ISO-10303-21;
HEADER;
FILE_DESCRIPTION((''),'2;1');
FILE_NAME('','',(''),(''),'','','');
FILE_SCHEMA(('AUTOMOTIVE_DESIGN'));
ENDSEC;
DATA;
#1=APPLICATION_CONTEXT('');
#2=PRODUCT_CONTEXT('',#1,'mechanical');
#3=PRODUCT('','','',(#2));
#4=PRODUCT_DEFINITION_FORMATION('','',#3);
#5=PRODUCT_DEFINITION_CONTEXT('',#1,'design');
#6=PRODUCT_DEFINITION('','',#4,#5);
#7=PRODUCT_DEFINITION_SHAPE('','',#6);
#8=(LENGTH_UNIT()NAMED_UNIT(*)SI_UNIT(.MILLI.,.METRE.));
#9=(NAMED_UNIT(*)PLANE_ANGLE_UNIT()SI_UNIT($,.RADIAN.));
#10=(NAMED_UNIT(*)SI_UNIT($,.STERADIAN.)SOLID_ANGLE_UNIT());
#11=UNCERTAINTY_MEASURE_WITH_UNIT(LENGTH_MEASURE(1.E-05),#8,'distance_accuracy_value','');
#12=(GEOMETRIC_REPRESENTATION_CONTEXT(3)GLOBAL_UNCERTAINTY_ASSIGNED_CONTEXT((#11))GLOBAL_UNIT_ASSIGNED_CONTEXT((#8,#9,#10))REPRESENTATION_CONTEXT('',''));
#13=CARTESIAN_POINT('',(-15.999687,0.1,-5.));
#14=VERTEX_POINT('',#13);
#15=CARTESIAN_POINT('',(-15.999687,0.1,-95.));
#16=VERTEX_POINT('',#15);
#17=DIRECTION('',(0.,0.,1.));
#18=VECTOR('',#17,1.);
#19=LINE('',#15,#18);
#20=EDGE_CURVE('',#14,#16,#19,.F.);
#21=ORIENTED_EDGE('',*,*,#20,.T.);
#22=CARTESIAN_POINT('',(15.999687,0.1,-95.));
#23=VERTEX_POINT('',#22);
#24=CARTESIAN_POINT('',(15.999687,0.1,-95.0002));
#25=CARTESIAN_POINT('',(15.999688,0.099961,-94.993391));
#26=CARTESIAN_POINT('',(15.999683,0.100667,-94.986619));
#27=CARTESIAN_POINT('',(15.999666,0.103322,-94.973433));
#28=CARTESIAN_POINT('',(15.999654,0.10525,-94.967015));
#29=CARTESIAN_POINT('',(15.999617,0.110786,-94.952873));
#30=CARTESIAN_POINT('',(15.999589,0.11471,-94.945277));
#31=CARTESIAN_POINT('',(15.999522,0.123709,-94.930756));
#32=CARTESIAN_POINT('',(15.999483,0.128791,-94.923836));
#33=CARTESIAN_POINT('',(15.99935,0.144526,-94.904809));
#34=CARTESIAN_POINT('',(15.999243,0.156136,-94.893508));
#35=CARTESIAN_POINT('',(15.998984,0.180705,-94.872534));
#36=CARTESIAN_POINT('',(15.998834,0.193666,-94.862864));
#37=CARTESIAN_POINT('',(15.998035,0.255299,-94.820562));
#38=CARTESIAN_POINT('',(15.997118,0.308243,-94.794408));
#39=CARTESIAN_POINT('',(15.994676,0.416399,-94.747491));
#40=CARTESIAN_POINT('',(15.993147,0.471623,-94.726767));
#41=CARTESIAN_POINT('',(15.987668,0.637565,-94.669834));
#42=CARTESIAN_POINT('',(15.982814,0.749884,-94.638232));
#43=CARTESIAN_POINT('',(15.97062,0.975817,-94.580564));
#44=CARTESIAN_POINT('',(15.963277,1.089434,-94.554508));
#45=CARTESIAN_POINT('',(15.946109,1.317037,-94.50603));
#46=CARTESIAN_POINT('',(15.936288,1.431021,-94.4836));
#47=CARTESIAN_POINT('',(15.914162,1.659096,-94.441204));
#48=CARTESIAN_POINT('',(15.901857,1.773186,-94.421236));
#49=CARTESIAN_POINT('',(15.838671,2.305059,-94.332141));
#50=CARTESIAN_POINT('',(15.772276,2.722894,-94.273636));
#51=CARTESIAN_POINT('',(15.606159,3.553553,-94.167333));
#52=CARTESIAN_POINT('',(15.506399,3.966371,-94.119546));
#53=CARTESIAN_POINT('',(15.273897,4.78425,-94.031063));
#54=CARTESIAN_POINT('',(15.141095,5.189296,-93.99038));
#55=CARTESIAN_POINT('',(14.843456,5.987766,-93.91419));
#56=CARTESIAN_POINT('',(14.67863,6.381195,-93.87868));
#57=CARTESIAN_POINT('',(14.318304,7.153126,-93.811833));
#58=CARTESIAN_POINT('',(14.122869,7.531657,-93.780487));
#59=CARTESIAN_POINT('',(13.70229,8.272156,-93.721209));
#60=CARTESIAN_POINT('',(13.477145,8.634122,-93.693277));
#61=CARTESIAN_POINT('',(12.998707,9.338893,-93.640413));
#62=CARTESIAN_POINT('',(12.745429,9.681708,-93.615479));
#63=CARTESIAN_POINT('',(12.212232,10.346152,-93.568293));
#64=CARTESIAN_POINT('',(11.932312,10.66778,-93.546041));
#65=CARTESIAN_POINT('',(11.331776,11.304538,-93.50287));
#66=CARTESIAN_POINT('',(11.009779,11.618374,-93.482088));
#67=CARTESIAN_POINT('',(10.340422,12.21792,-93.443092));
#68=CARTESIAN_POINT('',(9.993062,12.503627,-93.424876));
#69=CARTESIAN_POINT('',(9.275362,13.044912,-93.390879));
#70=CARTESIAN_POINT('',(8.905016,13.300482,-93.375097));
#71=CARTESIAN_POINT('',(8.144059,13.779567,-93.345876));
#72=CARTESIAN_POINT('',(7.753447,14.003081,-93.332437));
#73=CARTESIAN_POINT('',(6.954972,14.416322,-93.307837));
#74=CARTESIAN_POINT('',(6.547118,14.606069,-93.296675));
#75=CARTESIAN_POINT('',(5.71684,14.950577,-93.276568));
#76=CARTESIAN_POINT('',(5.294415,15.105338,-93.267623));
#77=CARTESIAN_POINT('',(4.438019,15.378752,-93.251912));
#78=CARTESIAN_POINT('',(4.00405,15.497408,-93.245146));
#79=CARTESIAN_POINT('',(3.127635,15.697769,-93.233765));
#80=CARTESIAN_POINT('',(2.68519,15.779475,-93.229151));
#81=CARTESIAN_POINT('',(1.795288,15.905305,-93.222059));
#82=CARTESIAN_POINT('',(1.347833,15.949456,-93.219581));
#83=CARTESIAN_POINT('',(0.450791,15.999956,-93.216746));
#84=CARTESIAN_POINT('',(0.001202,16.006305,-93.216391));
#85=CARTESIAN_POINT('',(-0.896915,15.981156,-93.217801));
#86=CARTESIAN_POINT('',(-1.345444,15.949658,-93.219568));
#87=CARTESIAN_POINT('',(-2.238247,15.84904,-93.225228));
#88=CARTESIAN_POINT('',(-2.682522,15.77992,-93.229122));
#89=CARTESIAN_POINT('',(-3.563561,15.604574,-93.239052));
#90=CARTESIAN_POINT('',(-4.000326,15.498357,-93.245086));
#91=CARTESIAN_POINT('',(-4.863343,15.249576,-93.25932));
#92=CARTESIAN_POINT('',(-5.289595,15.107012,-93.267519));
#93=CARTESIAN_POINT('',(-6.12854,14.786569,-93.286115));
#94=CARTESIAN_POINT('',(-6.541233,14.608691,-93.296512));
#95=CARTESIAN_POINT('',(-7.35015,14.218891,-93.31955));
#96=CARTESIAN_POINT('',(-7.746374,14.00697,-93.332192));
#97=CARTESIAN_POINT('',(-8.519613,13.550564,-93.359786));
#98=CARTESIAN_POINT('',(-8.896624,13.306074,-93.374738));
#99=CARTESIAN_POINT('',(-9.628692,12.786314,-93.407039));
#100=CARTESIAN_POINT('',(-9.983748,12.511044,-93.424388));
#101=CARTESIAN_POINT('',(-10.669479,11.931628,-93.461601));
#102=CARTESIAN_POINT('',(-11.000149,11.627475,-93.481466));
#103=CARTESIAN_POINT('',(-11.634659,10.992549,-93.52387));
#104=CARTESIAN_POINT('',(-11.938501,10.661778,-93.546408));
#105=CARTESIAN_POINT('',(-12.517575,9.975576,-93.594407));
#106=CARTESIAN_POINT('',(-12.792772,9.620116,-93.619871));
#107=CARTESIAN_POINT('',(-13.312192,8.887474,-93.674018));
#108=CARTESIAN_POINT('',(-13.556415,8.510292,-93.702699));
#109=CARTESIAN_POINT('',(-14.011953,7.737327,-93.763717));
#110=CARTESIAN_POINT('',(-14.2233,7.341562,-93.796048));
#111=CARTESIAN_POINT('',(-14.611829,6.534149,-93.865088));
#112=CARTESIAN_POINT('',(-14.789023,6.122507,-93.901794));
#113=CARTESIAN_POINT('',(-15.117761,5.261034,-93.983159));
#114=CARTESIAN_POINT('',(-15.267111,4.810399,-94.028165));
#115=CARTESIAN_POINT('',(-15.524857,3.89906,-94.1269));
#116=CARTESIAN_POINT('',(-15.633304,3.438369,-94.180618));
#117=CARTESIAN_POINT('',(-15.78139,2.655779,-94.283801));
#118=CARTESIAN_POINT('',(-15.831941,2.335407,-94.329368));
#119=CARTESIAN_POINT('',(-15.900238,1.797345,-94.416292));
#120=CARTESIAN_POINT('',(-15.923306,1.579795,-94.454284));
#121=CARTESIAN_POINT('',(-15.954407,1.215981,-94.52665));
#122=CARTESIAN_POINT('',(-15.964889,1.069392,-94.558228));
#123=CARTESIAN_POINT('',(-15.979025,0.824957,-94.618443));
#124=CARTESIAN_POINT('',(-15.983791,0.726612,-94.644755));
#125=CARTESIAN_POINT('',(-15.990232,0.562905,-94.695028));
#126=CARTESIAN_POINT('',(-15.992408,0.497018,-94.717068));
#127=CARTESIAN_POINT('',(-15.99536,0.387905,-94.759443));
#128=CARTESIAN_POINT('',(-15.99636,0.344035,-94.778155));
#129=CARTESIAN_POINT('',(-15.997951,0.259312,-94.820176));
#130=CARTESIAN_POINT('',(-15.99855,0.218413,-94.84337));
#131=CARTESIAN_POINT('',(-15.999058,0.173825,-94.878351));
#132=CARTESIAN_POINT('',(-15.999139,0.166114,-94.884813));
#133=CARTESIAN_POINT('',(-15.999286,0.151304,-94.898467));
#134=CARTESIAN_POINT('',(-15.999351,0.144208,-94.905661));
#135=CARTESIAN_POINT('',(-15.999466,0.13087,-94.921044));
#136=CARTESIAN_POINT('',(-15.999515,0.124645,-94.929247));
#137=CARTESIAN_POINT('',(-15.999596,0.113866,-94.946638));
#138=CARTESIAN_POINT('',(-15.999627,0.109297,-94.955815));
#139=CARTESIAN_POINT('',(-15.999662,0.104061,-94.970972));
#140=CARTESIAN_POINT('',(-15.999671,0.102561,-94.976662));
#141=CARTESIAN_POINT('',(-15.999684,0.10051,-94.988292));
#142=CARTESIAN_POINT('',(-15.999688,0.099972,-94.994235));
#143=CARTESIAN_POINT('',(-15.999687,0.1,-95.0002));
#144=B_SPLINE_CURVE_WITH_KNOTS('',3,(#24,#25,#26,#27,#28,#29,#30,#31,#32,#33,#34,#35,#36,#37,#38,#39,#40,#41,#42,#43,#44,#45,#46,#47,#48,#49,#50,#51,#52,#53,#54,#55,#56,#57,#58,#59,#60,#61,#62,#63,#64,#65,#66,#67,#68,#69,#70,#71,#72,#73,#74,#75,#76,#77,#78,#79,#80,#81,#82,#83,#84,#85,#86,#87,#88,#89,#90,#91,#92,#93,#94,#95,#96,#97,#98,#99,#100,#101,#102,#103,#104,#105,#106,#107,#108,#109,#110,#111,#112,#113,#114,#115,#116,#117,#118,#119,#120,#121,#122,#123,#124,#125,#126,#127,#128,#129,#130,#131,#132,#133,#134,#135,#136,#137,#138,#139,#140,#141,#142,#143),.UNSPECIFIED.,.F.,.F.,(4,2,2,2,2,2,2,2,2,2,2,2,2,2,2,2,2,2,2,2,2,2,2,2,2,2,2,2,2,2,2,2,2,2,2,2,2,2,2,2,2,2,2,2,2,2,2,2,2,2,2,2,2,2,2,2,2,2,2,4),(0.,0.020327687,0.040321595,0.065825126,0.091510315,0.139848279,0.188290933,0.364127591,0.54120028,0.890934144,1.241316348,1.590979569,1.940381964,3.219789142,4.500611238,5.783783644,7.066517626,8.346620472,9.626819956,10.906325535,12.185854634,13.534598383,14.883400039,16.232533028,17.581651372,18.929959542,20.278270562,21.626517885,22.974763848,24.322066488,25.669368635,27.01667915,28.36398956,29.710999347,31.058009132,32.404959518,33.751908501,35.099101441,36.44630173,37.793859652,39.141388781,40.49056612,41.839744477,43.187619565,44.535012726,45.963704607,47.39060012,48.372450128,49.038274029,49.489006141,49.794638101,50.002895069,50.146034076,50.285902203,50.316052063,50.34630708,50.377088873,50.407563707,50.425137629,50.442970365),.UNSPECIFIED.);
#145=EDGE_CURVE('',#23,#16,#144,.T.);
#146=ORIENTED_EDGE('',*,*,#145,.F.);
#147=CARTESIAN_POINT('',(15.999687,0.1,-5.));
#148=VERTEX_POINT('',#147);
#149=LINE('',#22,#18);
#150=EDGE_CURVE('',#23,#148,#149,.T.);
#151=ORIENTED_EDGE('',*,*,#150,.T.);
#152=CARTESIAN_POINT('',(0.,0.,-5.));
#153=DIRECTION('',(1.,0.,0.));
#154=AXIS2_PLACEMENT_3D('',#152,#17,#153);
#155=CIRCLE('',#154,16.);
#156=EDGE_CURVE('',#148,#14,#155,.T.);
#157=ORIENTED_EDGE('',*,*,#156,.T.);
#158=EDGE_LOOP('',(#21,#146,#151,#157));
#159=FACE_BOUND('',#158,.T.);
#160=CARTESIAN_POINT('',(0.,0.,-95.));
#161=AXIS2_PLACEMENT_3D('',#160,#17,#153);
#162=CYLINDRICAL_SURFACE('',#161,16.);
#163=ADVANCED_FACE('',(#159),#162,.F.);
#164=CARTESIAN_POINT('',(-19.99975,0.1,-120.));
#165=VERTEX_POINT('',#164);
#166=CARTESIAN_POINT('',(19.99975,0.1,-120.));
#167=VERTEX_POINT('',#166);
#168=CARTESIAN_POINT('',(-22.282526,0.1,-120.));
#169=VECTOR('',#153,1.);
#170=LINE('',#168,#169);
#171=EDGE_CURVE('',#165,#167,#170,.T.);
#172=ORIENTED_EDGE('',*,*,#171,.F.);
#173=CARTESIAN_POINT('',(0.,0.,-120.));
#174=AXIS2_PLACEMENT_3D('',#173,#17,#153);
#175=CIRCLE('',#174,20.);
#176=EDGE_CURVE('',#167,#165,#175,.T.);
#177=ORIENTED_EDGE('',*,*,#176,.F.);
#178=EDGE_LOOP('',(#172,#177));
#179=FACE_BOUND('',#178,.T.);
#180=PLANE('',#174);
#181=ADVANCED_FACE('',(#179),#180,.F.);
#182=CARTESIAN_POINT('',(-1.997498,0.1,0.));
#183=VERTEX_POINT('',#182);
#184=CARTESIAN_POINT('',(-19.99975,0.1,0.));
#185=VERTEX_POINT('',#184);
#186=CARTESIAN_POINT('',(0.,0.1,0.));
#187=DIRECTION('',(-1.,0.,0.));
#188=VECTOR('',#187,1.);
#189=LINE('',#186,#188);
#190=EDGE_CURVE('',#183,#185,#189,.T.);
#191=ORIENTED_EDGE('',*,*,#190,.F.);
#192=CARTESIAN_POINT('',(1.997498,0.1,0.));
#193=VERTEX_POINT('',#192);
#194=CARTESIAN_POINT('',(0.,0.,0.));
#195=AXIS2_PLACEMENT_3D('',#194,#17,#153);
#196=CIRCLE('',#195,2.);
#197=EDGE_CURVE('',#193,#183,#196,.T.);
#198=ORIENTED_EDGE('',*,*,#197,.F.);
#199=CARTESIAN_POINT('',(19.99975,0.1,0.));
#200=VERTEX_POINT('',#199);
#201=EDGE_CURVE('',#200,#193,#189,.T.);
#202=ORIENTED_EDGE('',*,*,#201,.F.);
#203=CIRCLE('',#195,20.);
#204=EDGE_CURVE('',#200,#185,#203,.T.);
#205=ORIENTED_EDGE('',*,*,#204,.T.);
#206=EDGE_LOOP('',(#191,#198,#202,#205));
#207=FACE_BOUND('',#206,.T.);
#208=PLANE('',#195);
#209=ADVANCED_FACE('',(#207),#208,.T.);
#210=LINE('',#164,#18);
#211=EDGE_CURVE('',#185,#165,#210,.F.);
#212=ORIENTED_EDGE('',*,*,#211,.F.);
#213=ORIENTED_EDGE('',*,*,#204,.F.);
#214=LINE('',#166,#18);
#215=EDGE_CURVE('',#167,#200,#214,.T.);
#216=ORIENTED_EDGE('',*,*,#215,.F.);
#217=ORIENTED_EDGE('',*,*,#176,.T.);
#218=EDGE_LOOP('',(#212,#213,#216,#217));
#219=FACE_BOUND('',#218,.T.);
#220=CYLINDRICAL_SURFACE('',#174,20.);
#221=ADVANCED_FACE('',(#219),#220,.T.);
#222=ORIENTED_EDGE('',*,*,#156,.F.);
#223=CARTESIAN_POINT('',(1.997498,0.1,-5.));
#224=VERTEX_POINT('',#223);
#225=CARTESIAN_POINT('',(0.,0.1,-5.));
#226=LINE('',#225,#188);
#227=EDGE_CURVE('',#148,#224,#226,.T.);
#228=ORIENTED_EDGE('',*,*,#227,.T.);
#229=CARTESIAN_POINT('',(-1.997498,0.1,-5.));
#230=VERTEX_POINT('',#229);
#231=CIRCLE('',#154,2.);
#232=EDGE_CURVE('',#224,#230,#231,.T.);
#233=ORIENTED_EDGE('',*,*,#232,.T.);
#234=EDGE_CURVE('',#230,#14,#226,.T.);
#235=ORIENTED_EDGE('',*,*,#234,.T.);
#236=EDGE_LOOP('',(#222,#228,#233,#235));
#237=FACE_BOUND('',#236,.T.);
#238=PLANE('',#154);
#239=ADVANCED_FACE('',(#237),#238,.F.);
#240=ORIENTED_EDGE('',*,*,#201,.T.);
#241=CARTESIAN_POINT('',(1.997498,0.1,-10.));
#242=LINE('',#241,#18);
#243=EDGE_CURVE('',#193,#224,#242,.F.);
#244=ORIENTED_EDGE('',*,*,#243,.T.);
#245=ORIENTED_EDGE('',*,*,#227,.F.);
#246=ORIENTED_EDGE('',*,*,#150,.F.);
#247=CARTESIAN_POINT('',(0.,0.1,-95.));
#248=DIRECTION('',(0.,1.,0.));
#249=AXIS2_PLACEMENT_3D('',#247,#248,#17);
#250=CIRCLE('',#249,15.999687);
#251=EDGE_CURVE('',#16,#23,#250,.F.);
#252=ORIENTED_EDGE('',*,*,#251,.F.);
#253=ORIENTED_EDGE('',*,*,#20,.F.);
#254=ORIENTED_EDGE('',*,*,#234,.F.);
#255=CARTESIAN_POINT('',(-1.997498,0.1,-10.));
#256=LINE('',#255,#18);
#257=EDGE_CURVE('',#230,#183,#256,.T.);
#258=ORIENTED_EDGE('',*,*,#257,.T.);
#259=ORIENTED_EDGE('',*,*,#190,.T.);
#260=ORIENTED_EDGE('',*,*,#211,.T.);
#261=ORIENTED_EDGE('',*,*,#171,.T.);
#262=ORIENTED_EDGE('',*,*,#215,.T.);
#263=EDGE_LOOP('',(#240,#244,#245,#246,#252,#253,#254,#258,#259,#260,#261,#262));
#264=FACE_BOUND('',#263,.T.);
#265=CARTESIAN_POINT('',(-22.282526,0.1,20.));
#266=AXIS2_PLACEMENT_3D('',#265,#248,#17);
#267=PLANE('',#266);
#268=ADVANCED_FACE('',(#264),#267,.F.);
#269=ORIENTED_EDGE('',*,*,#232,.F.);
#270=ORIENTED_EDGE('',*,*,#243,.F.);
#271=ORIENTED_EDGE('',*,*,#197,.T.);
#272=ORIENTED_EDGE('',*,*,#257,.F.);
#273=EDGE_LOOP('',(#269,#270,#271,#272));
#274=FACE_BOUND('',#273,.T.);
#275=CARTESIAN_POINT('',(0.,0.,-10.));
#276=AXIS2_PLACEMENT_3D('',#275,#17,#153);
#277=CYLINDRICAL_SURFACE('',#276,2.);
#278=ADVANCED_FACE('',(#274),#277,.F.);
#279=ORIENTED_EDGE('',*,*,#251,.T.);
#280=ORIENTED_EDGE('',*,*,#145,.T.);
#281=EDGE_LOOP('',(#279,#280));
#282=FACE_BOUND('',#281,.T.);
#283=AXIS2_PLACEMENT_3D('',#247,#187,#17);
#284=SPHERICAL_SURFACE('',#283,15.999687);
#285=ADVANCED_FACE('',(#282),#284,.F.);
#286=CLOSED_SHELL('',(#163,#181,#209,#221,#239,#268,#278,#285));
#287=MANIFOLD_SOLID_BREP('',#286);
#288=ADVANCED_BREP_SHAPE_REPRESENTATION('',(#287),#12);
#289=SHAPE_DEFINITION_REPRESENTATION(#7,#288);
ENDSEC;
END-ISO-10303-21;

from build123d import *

# Parameters (mm, degrees)
ESQUISSE1_R             = 20
BOSS_EXTRU_1_DEPTH      = 120
ESQUISSE3_R             = 16
ENL_V_MAT_EXTRU_1_DEPTH = 90
ENL_V_MAT_EXTRU_3_DEPTH = 140
ESQUISSE9_R             = 2
ENL_V_MAT_EXTRU_4_DEPTH = 10


with BuildPart() as part:
    # Esquisse1 → Boss.-Extru.1 (new body)
    with BuildSketch(Plane.XY):
        Circle(ESQUISSE1_R)
    extrude(amount=-BOSS_EXTRU_1_DEPTH)

    # Esquisse3 → Enlèv. mat.-Extru.1 (cut)
    with BuildSketch(Plane.XY.offset(-5)):
        Circle(ESQUISSE3_R)
    extrude(amount=-ENL_V_MAT_EXTRU_1_DEPTH, mode=Mode.SUBTRACT)

    # Esquisse6 → Enlèv. mat.-Extru.3 (cut)
    with BuildSketch(Plane(origin=(0, 0, -120), x_dir=(-1, 0, 0), z_dir=(0, 0, -1))):
        Polygon((-21.427885592, 0), (-21.427885592, -0.1), (22.282526064, -0.1), (22.282526064, 0.1), (-21.427885592, 0.1), align=None)
    extrude(amount=-ENL_V_MAT_EXTRU_3_DEPTH, mode=Mode.SUBTRACT)


with BuildPart() as body_2:
    # of the pieces the cut leaves, the one that is kept (enl_v_mat_extru_3_keep)
    add(part.part.solids().sort_by_distance((19.999749998, 0.1, 0))[0])

    # Esquisse8 → Enlèvement de matière-Révolution3 (revolve, cut)
    with BuildSketch(Plane.XZ.offset(-0.1)):
        with BuildLine():
            Line((-15.999687497, -95), (15.999687497, -95))
            ThreePointArc((15.999687497, -95), (0, -79.000312503), (-15.999687497, -95))
        make_face()
    revolve(axis=Axis((-15.999687497, 0.1, -95), (1, 0, 0)), mode=Mode.SUBTRACT)

    # Esquisse9 → Enlèv. mat.-Extru.4 (cut)
    with BuildSketch(Plane.XY):
        Circle(ESQUISSE9_R)
    extrude(amount=-ENL_V_MAT_EXTRU_4_DEPTH, mode=Mode.SUBTRACT)


solid = body_2.part
